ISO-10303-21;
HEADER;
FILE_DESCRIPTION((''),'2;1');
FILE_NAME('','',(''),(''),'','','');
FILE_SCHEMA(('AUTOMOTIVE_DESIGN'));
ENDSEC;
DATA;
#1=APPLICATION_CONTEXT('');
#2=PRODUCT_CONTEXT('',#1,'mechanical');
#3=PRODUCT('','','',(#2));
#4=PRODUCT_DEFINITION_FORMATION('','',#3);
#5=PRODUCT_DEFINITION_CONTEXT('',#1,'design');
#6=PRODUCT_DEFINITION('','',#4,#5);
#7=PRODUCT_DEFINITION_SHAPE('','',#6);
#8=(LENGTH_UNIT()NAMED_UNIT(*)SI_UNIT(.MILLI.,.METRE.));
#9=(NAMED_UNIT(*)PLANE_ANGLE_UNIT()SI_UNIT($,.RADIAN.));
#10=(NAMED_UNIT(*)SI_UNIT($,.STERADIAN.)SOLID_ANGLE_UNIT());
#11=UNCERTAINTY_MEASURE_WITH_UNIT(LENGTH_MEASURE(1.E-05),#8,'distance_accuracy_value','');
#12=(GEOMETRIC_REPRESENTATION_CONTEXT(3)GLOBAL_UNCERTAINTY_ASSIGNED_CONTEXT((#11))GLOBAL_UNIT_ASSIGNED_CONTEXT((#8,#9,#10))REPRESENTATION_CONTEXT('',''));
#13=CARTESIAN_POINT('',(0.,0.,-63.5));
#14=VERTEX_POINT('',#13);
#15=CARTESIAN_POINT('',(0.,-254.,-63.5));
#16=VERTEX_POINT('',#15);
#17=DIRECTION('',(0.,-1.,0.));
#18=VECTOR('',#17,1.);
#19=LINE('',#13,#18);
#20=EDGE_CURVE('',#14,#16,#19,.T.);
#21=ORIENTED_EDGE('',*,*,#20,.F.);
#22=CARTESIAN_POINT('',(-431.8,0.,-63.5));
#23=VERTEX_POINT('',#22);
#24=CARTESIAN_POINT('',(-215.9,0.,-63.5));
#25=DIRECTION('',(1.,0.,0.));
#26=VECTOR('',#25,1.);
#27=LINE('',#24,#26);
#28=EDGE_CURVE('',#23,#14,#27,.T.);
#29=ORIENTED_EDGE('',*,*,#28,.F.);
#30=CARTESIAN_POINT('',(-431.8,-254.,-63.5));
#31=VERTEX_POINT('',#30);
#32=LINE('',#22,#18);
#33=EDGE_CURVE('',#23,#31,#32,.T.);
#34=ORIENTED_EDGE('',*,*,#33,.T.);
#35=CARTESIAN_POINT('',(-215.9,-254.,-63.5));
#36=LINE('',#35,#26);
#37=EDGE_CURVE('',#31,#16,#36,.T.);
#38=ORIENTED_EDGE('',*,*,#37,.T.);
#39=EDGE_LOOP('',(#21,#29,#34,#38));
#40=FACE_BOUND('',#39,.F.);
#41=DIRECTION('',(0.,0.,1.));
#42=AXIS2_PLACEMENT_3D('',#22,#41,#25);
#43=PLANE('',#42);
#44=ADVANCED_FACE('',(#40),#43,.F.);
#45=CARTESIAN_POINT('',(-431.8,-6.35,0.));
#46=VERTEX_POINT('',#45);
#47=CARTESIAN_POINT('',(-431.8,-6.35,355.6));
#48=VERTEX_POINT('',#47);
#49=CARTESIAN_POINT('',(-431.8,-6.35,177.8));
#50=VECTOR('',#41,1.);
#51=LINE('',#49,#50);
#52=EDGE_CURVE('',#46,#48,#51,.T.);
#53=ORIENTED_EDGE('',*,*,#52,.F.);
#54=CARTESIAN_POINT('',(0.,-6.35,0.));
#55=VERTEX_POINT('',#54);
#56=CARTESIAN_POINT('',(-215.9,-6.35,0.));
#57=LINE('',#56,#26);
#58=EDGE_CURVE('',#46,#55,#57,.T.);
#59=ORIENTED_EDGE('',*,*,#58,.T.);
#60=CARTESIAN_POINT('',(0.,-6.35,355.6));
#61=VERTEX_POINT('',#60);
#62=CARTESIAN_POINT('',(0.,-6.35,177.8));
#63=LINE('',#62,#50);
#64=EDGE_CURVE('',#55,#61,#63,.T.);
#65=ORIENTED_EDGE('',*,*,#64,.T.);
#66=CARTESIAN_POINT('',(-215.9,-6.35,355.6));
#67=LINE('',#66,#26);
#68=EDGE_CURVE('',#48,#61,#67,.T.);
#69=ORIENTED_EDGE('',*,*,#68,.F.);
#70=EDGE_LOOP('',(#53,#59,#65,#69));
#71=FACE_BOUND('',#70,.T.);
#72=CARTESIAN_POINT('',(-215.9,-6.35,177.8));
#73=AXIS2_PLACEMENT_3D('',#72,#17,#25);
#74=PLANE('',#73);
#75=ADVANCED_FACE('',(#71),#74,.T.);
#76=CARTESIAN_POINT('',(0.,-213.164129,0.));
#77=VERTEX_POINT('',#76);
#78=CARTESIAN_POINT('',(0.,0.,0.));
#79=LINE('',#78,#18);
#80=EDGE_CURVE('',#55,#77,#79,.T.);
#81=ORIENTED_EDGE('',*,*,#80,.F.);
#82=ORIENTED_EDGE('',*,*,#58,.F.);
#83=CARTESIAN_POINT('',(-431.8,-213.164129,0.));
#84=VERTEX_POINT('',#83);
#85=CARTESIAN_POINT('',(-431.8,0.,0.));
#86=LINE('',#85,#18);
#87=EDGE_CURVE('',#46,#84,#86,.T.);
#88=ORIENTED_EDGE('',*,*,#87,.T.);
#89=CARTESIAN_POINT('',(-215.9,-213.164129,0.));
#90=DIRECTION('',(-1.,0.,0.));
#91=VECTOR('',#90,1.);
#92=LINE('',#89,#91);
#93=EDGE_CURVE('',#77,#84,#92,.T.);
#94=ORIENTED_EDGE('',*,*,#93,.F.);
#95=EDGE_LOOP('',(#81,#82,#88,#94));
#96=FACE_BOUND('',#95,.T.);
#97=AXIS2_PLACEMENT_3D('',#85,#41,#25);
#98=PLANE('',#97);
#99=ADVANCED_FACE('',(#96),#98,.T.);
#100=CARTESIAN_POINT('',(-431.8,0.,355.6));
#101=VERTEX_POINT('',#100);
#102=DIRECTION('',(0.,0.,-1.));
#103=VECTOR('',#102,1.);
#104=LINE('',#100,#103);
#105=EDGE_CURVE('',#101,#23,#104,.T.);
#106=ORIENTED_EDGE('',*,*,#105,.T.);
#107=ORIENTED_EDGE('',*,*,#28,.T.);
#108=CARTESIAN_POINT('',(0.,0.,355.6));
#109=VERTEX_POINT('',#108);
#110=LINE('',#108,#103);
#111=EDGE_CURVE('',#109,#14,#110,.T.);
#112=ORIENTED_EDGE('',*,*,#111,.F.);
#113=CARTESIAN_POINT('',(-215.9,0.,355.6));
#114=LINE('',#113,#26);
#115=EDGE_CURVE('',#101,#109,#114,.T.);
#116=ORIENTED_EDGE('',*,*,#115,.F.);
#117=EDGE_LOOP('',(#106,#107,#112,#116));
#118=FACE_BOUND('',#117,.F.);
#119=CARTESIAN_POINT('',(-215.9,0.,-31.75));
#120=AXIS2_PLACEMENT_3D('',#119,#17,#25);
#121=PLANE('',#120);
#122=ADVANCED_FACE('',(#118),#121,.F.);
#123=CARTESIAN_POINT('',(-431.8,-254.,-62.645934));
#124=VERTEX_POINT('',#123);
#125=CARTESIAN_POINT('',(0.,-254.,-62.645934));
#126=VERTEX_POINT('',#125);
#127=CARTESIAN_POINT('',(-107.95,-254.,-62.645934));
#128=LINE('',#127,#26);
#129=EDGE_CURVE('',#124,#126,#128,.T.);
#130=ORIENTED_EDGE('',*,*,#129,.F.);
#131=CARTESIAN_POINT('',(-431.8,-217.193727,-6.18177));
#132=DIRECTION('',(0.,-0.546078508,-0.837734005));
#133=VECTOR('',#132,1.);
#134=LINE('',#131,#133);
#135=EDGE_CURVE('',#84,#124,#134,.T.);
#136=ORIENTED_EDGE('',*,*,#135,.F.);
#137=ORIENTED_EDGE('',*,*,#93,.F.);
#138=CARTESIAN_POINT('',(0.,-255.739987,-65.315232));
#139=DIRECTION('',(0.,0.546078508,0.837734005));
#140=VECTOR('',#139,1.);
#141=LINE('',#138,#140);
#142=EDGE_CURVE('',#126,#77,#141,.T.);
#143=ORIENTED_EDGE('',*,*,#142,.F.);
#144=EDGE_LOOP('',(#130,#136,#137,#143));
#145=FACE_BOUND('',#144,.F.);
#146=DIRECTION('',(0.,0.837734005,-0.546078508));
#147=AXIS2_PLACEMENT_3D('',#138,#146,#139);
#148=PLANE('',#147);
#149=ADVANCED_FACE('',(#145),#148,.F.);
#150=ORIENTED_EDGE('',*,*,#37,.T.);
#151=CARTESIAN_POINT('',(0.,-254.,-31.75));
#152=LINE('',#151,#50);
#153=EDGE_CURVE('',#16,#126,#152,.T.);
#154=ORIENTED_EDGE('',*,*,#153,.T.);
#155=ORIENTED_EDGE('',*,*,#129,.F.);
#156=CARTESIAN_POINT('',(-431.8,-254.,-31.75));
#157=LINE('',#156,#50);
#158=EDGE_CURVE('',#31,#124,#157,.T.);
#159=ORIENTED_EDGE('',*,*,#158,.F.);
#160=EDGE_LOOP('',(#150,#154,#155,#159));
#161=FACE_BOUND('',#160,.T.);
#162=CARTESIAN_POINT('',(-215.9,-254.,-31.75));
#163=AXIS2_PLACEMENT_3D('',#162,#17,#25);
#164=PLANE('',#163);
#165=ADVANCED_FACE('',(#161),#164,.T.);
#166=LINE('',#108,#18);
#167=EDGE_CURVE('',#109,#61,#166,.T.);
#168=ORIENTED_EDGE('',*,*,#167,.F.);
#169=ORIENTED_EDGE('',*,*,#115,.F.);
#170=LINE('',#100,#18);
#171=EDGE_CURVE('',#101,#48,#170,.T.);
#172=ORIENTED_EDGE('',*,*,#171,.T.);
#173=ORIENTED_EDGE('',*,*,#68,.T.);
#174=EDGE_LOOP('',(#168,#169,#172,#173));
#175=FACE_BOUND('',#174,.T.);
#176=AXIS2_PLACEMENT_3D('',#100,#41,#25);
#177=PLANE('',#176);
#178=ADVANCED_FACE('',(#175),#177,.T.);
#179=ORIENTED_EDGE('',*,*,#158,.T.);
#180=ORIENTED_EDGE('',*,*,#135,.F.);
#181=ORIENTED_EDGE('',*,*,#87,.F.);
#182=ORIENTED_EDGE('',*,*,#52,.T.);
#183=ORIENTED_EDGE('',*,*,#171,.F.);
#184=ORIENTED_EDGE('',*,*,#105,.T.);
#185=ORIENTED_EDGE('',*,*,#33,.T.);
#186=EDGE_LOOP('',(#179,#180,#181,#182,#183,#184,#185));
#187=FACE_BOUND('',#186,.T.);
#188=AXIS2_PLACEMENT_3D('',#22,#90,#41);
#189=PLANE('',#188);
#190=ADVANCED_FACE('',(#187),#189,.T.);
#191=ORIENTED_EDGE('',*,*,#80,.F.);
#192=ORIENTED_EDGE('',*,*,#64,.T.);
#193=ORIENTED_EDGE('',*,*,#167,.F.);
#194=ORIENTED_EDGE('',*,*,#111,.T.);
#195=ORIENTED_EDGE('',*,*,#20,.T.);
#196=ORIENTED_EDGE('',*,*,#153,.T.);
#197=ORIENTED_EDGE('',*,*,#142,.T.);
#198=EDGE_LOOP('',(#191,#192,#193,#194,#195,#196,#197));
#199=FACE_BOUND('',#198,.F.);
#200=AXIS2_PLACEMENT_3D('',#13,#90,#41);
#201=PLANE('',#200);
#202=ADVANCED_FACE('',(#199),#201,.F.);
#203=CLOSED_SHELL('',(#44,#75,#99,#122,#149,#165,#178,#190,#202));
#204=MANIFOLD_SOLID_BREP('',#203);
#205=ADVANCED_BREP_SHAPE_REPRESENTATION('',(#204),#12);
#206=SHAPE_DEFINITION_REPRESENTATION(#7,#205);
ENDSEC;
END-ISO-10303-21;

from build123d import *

# Parameters (mm, degrees)
F0_W     = 431.8
F0_H     = 355.6
F1_DEPTH = 6.35
F2_W     = 431.8
F2_H     = 63.5
F3_DEPTH = 254
F5_DEPTH = 431.801


with BuildPart() as f1:
    # F0 (on Front) → F1 (new body)
    with BuildSketch(Plane.XZ):
        with Locations((-215.9, 177.8)):
            Rectangle(F0_W, F0_H)
    extrude(amount=F1_DEPTH)

    # F2 (on Front) → F3 (join)
    with BuildSketch(Plane.XZ):
        with Locations((-215.9, -31.75)):
            Rectangle(F2_W, F2_H)
    extrude(amount=F3_DEPTH)

    # F4 (on Right) → F5 (cut, through all)
    with BuildSketch(Plane.YZ):
        Polygon((-330.205292, 41.198432), (-255.739987, -65.315232), (-172.791287, 61.935604), align=None)
    extrude(amount=-F5_DEPTH, mode=Mode.SUBTRACT)


solid = f1.part
